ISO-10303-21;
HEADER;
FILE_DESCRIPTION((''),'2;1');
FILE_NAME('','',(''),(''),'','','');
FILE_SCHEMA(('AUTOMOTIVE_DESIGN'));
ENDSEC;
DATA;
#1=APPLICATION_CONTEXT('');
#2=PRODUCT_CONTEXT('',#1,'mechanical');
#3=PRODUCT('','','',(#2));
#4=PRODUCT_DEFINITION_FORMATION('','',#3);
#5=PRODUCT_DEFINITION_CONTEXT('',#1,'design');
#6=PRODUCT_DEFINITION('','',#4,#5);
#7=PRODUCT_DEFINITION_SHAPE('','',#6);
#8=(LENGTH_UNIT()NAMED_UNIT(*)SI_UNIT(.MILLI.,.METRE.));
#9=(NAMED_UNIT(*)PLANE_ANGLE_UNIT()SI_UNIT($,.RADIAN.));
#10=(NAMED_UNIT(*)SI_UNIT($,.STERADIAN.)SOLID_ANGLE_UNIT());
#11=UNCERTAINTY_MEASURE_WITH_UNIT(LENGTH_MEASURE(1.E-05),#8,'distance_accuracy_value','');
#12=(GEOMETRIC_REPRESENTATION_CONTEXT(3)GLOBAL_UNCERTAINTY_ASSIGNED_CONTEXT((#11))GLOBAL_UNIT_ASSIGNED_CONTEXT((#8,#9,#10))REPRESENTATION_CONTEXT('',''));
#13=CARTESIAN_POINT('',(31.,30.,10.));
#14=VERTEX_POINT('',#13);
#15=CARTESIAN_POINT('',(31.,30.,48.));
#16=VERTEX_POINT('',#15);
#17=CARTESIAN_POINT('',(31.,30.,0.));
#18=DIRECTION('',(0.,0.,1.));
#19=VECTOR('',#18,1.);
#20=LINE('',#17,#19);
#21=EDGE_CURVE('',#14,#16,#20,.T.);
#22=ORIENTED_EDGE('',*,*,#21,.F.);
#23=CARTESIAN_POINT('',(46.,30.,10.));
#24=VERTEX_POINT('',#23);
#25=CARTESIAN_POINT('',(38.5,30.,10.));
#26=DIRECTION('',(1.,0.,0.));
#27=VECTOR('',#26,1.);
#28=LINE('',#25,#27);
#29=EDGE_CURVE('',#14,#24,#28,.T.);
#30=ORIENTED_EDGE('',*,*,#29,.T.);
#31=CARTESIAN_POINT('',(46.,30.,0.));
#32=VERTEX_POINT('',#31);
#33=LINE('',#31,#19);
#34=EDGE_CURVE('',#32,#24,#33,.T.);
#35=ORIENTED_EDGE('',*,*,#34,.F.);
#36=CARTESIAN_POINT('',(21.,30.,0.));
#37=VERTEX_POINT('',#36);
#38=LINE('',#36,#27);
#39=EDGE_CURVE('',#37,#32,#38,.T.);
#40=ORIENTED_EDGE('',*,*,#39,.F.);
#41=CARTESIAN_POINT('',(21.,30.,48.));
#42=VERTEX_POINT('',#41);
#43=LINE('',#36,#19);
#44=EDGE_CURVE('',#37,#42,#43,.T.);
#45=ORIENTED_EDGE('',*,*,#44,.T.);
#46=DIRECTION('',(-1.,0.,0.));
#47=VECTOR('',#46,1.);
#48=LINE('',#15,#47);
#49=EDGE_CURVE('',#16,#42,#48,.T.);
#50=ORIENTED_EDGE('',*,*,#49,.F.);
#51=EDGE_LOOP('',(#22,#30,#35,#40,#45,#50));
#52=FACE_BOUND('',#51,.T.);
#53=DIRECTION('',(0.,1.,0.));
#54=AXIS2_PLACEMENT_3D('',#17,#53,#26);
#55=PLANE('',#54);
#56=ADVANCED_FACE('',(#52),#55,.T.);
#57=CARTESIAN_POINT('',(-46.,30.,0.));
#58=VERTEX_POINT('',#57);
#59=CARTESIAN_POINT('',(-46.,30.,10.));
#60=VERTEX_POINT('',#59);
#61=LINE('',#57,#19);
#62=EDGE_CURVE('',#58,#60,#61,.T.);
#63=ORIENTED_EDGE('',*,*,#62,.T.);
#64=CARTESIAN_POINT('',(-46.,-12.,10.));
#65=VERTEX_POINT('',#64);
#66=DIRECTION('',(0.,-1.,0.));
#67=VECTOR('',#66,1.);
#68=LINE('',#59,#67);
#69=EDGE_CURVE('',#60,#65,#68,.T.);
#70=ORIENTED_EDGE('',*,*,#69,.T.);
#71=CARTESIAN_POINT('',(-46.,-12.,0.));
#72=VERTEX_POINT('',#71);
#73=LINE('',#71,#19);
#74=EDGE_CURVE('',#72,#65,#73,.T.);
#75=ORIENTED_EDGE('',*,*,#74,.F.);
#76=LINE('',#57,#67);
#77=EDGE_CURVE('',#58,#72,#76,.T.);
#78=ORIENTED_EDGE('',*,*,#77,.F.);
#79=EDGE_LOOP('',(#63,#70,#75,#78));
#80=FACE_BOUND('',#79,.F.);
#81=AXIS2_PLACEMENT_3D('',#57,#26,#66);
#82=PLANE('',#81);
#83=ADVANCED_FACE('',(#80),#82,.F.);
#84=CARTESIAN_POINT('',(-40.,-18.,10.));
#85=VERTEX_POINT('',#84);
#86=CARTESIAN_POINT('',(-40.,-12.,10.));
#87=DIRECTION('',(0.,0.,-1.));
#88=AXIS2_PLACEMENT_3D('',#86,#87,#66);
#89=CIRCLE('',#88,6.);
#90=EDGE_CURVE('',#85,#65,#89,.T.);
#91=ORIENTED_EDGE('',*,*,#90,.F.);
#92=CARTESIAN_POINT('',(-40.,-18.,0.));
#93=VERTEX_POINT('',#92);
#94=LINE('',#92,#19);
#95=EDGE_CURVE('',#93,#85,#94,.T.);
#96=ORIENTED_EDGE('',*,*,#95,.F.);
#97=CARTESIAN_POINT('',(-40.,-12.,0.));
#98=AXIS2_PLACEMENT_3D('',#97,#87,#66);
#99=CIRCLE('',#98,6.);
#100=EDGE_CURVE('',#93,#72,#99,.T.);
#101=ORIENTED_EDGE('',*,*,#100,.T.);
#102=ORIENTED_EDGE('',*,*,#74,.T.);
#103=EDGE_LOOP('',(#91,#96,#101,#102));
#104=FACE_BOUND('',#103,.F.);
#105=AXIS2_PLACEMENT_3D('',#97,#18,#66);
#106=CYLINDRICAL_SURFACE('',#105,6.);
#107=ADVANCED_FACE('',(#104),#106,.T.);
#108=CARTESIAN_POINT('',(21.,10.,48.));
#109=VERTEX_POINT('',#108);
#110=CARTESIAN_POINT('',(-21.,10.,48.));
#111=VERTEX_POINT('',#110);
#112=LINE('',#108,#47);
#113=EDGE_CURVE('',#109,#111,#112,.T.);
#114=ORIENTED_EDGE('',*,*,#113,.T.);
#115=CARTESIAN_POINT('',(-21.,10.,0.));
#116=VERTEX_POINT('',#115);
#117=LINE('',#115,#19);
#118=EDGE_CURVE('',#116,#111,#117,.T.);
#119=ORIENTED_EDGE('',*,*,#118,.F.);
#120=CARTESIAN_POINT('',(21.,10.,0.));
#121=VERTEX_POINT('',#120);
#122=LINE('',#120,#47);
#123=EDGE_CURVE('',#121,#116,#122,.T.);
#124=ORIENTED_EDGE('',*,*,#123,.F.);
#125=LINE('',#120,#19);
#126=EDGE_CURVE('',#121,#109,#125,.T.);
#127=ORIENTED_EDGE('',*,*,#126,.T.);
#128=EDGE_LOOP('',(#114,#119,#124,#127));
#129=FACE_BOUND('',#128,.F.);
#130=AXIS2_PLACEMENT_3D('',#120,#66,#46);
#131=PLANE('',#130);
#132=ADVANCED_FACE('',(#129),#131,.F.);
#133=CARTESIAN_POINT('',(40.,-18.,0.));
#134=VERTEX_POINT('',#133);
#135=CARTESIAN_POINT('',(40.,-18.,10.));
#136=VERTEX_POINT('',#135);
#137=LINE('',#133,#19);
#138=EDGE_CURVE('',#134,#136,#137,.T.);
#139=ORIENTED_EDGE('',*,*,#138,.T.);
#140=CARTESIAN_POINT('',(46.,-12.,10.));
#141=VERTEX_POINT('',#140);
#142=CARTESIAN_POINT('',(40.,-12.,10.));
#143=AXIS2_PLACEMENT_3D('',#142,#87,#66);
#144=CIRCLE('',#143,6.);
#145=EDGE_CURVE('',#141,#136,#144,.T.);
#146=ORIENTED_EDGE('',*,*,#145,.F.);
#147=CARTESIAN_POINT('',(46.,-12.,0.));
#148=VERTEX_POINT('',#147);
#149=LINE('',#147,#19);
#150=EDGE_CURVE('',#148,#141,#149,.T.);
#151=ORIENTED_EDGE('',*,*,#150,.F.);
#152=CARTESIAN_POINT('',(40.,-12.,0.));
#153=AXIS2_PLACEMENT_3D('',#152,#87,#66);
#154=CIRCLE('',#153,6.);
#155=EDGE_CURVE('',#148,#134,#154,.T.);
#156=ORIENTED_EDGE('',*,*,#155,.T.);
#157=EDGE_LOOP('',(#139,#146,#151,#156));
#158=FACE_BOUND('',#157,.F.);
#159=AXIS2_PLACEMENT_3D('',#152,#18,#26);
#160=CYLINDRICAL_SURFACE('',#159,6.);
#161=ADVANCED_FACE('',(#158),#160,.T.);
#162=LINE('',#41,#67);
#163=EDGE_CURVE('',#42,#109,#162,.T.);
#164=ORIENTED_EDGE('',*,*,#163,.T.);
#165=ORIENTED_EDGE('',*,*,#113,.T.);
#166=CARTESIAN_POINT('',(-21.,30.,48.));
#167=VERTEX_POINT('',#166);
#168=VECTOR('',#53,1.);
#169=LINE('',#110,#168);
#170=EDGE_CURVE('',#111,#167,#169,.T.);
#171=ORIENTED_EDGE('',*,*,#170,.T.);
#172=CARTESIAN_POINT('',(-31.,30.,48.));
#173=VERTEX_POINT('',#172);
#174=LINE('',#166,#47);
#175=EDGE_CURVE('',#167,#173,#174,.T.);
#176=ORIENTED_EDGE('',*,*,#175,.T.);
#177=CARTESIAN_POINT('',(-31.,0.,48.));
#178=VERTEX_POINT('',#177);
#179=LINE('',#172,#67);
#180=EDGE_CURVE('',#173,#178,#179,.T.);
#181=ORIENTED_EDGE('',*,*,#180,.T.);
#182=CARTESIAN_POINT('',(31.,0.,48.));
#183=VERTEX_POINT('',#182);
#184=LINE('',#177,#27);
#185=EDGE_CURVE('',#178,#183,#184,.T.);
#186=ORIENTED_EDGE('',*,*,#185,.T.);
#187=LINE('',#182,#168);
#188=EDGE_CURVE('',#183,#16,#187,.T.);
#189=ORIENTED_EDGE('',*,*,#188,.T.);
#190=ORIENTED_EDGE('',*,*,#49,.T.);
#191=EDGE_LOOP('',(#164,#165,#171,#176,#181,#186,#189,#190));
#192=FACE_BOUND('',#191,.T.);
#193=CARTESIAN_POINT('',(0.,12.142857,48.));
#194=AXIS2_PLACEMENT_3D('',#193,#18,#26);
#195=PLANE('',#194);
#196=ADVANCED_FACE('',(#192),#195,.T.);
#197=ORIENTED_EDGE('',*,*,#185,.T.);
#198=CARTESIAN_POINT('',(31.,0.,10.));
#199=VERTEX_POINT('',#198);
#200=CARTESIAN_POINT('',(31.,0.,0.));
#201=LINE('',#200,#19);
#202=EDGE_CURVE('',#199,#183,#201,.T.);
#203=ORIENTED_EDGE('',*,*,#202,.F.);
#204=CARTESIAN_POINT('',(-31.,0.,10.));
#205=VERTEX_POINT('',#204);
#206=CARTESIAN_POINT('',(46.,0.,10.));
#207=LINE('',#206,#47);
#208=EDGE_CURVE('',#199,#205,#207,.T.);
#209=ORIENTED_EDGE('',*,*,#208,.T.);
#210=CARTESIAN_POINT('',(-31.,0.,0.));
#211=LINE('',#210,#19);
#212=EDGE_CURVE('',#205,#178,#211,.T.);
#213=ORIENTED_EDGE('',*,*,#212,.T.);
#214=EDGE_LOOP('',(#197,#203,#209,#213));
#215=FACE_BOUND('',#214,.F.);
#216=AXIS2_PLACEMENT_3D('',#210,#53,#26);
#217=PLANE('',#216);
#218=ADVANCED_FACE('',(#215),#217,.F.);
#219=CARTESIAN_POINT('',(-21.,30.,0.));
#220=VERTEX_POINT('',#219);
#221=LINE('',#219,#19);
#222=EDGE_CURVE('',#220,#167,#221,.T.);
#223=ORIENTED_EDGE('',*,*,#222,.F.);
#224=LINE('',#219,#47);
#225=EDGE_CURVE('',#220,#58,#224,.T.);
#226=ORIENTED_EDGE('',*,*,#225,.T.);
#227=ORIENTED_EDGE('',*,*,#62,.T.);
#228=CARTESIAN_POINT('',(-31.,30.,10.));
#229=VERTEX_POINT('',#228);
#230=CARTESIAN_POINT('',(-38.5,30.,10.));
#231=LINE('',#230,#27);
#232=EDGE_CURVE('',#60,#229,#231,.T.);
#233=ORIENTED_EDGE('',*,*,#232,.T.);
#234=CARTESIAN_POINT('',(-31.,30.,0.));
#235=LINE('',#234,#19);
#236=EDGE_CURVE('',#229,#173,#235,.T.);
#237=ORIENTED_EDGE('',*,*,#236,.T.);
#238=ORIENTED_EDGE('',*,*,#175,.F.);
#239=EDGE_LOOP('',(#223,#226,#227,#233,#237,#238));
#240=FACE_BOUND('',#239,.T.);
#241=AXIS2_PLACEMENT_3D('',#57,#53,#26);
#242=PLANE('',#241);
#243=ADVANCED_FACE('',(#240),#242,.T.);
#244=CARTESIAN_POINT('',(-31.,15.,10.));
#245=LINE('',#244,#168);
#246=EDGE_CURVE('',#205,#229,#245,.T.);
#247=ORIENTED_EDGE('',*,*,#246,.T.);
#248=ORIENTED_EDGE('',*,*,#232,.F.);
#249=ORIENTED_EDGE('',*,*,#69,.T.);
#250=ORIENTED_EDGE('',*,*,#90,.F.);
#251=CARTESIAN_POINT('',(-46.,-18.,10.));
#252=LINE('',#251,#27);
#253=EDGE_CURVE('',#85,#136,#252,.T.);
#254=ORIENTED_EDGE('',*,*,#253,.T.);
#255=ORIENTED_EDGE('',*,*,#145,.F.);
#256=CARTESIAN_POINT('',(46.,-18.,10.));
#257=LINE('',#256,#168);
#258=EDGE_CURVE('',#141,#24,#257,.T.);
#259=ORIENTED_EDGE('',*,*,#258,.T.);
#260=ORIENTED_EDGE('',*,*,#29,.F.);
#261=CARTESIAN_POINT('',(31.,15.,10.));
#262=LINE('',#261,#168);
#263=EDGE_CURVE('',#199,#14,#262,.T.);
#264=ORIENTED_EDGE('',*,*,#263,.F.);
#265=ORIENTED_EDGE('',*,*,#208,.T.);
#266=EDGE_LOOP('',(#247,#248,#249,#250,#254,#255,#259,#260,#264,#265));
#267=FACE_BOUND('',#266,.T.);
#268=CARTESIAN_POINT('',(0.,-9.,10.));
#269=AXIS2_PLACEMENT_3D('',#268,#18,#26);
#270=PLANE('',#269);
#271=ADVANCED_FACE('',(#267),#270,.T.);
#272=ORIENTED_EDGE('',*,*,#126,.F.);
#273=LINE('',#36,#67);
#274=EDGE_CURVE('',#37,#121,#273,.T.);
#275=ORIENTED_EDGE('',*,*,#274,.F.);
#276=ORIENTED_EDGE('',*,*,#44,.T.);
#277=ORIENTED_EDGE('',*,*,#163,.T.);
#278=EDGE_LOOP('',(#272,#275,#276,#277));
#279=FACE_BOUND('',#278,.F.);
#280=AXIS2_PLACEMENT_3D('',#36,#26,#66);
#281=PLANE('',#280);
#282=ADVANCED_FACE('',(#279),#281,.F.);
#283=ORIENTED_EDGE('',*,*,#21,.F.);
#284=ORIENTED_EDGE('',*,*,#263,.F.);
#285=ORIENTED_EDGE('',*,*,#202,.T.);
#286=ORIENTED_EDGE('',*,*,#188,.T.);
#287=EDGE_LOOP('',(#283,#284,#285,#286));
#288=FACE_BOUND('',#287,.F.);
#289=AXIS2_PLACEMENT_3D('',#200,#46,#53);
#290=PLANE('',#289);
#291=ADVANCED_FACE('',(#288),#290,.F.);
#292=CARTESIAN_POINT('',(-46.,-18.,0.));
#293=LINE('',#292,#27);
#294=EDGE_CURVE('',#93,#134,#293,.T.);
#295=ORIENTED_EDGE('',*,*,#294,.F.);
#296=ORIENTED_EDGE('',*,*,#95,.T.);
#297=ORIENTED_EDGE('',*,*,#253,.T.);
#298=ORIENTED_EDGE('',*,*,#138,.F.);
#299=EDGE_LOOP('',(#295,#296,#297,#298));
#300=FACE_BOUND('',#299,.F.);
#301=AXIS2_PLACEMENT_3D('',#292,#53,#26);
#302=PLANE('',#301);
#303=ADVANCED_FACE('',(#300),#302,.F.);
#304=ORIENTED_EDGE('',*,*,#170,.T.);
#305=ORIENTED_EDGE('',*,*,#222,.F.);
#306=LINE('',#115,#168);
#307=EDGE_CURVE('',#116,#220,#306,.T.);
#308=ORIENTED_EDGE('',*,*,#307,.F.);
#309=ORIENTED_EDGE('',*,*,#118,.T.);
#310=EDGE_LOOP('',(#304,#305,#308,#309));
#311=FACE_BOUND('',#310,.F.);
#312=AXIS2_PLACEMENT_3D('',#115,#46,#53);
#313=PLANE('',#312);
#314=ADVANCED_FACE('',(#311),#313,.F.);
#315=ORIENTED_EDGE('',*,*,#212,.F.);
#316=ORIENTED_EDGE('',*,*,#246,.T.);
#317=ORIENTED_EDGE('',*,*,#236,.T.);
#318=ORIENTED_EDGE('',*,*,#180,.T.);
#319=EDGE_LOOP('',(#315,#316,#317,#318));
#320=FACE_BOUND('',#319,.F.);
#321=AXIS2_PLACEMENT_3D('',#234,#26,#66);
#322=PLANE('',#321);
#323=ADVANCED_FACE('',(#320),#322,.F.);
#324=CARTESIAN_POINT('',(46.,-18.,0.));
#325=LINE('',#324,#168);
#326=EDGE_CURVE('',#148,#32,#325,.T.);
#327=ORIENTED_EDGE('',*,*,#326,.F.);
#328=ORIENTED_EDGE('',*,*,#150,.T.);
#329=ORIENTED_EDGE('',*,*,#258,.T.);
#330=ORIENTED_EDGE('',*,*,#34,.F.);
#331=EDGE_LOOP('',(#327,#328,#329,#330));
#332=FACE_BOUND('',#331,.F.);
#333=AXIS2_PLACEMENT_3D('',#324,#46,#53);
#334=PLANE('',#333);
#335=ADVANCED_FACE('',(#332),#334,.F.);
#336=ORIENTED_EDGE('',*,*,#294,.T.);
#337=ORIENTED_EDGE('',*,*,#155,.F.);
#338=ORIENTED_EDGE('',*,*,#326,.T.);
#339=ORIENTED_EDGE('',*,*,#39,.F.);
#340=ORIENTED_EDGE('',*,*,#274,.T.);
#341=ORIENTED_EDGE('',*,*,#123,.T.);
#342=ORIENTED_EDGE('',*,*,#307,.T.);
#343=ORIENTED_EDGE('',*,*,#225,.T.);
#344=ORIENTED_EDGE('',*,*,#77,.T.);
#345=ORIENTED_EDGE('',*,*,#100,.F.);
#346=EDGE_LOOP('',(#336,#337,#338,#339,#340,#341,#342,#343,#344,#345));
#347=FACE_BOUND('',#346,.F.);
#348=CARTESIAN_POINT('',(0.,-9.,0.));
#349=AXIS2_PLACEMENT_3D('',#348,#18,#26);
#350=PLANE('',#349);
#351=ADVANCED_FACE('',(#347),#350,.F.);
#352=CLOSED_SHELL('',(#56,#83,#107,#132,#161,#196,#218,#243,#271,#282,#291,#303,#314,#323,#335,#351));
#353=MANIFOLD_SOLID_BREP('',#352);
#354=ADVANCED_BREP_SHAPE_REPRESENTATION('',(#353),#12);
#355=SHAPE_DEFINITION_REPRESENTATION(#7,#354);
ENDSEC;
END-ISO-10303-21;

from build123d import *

# Parameters (mm, degrees)
F1_DEPTH = 48
F0_W     = 15
F0_H     = 30
F2_DEPTH = 10
F3_R     = 6


with BuildPart() as f1:
    # F0 (on Top) → F1 (new body)
    with BuildSketch(Plane.XY):
        Polygon((21, 30), (21, 10), (-21, 10), (-21, 30), (-31, 30), (-31, 0), (31, 0), (31, 30), align=None)
    extrude(amount=F1_DEPTH)

    # F0 (on Top) → F2 (join)
    with BuildSketch(Plane.XY):
        Polygon((46, 0), (31, 0), (-31, 0), (-46, 0), (-46, -18), (46, -18), align=None)
        with Locations((38.5, 15)):
            Rectangle(F0_W, F0_H)
        with Locations((-38.5, 15)):
            Rectangle(F0_W, F0_H)
    extrude(amount=F2_DEPTH)

    # F3
    f3_edges = [f1.edges().sort_by_distance(p)[0] for p in [
        (46, -18, 5),
        (-46, -18, 5),
    ]]
    fillet(f3_edges, radius=F3_R)


solid = f1.part
